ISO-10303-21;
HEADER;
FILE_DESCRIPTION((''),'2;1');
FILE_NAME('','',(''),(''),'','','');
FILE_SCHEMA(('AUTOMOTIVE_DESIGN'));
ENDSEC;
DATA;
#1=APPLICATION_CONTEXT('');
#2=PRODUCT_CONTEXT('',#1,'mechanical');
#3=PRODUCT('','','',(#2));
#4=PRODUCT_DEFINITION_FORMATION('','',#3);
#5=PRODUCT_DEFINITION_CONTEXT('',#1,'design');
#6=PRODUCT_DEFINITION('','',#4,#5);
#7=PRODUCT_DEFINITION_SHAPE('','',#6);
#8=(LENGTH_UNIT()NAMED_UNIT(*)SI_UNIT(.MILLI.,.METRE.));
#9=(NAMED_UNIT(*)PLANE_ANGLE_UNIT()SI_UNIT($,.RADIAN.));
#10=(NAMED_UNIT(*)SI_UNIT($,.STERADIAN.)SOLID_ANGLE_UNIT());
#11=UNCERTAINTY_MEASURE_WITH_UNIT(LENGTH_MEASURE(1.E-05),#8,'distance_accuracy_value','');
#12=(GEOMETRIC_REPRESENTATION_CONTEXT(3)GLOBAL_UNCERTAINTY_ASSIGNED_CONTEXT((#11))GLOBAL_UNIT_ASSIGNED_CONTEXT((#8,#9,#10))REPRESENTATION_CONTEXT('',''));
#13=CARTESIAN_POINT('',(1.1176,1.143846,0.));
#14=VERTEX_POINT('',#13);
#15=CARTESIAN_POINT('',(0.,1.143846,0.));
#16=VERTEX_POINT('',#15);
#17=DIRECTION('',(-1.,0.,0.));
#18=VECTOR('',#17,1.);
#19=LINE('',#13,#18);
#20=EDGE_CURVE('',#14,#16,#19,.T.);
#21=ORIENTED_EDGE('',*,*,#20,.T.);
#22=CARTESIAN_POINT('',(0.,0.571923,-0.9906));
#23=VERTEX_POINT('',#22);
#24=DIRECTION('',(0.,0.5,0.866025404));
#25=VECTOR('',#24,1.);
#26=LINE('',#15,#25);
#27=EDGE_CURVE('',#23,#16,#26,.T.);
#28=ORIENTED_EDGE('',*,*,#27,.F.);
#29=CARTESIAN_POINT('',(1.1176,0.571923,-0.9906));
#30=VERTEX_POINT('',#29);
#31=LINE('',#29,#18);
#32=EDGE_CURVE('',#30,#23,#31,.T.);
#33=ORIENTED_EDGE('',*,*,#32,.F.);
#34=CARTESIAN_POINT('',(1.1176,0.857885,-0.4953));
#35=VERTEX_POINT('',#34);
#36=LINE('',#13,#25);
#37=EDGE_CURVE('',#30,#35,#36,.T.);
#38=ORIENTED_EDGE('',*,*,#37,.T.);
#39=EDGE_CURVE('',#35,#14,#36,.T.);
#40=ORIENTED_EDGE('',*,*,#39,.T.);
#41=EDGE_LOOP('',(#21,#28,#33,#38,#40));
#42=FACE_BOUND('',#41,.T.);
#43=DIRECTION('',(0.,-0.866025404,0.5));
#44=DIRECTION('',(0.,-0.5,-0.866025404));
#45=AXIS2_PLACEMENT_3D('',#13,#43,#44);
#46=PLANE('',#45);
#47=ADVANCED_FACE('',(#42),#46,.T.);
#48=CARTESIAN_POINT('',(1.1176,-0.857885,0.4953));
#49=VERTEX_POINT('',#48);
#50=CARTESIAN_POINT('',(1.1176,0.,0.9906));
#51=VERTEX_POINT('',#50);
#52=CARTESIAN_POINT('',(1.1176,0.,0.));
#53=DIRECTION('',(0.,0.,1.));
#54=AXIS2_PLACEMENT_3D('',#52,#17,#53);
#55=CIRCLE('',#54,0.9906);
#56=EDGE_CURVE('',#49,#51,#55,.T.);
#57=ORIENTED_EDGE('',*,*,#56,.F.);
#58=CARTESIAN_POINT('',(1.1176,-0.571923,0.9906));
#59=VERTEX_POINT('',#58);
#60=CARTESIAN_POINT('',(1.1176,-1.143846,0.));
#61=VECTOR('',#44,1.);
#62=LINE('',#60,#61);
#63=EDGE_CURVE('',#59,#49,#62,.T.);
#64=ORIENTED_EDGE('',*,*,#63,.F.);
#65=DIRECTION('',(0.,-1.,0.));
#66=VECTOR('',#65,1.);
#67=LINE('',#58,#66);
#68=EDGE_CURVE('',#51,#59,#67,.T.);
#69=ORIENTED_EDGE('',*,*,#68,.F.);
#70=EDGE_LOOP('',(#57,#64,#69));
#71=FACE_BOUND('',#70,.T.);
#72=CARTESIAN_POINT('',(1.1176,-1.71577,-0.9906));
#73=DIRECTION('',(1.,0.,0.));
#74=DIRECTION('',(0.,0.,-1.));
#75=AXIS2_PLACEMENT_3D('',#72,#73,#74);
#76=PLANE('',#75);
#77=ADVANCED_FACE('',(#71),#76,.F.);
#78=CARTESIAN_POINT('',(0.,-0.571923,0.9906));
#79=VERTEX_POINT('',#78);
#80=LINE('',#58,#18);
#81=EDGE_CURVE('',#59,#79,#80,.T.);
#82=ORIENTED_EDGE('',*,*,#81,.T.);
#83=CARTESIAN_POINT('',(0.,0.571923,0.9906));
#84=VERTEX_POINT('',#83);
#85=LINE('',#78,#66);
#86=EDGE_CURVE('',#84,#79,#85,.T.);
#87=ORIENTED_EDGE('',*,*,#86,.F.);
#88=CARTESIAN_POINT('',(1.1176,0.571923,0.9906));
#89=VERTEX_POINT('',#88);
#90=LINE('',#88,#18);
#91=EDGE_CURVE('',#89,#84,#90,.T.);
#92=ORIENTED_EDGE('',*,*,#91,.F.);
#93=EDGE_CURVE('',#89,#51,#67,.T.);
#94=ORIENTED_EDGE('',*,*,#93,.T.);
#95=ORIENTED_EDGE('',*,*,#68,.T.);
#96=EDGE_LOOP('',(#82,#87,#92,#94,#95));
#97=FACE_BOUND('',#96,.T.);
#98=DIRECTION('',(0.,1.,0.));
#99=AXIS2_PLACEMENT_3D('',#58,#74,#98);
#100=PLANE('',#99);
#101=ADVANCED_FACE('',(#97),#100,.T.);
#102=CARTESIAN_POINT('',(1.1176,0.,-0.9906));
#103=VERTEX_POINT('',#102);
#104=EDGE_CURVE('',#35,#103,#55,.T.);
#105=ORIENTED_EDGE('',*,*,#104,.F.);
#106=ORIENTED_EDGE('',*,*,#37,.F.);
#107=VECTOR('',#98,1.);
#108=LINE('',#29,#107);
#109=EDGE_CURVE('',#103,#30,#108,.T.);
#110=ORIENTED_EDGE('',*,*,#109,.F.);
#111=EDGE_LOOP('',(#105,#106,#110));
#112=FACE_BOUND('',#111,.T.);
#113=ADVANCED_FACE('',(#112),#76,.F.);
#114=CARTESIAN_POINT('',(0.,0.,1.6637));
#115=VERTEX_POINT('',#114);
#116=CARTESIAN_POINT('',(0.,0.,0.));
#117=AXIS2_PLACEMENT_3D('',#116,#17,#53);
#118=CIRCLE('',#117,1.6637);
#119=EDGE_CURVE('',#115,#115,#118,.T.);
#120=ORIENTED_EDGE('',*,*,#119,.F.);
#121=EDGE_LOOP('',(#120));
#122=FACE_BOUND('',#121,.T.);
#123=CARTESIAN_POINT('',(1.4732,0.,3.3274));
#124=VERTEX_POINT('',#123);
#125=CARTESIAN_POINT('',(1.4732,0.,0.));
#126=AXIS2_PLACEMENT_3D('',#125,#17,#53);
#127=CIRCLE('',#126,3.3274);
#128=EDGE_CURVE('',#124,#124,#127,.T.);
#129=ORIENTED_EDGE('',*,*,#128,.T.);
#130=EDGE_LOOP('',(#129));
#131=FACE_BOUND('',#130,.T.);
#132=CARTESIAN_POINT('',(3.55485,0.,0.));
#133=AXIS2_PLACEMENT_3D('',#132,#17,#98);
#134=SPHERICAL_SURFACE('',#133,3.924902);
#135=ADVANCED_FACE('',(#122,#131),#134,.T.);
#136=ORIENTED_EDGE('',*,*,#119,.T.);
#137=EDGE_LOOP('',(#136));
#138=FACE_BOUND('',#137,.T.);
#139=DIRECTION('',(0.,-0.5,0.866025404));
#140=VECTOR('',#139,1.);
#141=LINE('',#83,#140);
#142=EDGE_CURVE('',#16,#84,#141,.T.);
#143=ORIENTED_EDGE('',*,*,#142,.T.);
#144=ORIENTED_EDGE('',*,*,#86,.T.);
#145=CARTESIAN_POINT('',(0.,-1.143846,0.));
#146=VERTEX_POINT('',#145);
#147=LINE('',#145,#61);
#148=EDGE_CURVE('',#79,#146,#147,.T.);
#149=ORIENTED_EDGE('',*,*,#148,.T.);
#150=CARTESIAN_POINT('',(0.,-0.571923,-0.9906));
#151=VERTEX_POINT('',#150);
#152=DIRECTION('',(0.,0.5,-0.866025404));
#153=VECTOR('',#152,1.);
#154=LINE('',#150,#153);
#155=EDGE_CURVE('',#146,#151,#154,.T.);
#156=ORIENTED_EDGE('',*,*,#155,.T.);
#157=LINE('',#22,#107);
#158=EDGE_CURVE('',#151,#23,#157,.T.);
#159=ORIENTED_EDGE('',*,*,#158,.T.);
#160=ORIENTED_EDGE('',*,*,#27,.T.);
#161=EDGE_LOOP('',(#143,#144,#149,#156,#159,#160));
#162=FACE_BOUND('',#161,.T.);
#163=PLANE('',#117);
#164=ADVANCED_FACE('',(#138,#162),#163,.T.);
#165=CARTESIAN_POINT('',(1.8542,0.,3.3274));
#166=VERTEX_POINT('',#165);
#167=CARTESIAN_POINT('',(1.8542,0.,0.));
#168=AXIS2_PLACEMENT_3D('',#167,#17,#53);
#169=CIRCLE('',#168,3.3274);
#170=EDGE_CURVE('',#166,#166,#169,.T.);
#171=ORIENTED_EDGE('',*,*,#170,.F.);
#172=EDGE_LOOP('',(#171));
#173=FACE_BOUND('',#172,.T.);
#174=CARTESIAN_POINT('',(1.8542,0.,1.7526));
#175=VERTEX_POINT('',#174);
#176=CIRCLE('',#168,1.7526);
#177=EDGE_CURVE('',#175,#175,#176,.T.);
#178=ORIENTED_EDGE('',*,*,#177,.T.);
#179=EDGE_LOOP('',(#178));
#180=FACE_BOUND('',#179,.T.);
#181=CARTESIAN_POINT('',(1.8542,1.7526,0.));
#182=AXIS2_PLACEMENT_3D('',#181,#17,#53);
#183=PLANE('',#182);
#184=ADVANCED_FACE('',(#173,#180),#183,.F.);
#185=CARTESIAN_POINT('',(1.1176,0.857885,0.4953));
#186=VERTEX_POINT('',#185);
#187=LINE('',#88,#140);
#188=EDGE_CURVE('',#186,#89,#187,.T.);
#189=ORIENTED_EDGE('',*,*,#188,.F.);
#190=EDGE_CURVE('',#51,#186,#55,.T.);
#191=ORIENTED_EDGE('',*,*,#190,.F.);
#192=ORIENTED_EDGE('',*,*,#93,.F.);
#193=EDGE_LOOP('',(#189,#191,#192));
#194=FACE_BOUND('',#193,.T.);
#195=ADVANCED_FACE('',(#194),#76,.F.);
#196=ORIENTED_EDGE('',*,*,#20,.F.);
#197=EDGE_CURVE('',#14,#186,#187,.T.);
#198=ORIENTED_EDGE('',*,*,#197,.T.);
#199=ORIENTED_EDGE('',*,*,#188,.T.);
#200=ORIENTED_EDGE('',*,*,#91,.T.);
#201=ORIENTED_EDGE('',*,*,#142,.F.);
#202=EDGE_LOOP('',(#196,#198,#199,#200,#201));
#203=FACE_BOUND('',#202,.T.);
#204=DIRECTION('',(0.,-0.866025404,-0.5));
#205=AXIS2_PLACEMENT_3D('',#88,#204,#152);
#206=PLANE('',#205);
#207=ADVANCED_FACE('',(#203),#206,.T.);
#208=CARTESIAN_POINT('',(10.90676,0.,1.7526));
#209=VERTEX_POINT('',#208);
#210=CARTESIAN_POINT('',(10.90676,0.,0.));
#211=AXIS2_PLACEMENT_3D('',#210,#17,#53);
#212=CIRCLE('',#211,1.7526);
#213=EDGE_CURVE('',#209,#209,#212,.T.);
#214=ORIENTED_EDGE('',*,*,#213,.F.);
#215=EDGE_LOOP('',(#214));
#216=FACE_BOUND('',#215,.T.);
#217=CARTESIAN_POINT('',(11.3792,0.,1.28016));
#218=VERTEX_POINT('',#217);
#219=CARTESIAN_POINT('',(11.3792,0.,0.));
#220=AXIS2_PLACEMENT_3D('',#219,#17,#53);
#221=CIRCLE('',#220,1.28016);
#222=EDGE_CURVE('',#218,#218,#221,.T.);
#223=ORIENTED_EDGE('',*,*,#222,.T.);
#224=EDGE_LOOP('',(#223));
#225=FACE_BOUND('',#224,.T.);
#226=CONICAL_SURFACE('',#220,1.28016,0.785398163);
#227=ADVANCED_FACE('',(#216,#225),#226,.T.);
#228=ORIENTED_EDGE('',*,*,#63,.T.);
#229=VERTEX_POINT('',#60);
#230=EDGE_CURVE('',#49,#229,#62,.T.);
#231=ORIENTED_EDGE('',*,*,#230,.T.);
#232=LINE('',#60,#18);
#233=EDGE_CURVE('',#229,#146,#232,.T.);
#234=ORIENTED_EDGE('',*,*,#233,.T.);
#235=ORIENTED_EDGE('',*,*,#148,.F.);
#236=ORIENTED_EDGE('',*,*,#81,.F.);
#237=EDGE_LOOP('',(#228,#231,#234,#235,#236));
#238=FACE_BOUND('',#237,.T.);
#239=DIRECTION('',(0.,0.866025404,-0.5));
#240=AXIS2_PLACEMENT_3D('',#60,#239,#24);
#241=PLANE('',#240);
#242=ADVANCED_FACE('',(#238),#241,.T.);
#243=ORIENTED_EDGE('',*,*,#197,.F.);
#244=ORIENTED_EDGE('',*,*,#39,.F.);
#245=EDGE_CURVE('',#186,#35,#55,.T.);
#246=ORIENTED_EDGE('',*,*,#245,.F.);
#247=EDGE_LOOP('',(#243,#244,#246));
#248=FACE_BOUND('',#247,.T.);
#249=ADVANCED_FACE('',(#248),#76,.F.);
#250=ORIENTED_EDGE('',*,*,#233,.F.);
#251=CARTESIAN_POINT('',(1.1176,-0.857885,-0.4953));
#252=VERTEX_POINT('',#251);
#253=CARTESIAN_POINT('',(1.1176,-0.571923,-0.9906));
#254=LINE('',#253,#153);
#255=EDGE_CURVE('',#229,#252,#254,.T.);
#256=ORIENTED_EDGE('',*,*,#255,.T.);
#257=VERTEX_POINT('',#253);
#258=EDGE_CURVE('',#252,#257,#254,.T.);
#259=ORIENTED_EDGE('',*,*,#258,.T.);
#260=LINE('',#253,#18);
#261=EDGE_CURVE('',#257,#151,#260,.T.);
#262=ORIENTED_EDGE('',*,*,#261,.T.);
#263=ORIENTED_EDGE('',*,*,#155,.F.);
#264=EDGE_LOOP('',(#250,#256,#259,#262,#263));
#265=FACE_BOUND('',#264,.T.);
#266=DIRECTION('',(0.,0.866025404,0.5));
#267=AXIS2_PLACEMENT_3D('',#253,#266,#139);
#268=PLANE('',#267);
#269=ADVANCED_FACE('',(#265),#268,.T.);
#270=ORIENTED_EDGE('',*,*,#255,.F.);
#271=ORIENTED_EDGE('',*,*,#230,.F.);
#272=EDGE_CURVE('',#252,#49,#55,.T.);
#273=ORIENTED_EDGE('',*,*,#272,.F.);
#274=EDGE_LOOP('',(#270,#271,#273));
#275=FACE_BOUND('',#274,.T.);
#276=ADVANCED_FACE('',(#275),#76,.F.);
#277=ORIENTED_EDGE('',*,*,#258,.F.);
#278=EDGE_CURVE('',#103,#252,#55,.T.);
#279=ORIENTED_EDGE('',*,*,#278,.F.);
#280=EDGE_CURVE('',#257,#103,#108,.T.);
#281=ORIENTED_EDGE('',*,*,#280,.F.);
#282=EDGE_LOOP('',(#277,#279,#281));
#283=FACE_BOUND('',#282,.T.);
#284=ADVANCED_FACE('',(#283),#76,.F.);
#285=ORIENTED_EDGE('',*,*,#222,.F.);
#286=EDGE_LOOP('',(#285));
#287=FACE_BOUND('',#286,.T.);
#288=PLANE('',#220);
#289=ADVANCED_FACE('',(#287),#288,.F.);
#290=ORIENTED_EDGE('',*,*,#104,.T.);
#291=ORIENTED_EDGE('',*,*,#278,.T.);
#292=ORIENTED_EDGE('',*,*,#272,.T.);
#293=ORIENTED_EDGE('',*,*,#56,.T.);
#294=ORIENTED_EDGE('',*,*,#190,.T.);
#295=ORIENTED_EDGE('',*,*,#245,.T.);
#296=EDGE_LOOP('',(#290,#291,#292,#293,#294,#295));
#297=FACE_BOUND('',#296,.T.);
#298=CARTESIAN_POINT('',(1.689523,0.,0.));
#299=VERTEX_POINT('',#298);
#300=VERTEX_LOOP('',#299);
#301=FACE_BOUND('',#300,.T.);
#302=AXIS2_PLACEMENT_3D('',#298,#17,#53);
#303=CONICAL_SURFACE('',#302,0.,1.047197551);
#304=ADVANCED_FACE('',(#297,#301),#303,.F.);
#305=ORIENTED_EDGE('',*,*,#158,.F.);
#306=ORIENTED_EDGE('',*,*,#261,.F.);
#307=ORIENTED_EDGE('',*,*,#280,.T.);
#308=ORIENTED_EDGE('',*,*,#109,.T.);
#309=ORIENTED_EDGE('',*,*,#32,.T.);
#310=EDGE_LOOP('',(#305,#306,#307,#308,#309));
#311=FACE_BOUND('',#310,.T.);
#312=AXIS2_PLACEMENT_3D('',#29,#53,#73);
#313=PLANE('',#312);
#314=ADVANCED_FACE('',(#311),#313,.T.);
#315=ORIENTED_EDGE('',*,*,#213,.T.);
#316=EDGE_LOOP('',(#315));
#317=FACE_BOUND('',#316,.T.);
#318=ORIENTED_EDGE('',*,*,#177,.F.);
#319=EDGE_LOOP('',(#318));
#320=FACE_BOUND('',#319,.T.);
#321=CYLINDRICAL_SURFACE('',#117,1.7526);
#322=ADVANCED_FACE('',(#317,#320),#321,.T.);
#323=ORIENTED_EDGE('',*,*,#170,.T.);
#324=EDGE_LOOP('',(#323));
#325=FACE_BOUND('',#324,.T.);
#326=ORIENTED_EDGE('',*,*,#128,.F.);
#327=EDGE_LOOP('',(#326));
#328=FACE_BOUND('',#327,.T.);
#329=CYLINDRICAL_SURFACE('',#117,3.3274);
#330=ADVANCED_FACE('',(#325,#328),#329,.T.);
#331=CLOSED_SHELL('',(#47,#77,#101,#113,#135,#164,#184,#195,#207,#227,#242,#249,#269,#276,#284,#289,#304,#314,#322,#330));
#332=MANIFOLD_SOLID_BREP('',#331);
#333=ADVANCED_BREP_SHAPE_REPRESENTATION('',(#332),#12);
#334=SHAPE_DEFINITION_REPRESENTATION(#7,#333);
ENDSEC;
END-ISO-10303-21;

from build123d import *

# Parameters (mm, degrees)
HEX_2_DEPTH = 1.1176


with BuildPart() as part:
    # BodySke → BaseBody (revolve)
    with BuildSketch(Plane.XY):
        with BuildLine():
            Line((11.3792, 0), (11.3792, 1.28016))
            Line((11.3792, 1.28016), (10.90676, 1.7526))
            Line((10.90676, 1.7526), (1.8542, 1.7526))
            Line((1.8542, 1.7526), (1.8542, 3.3274))
            Line((1.8542, 3.3274), (1.4732, 3.3274))
            ThreePointArc((1.4732, 3.3274), (0.616396771, 2.601989501), (0, 1.6637))
            Line((0, 1.6637), (0, 0))
            Line((0, 0), (11.3792, 0))
        make_face()
    revolve(axis=Axis((0, 0, 0), (1, 0, 0)))

    # Sketch2 → PreBroach (revolve, cut)
    with BuildSketch(Plane.XY):
        Polygon((0, 0.9906), (1.1176, 0.9906), (1.689523177, 0), (0, 0), align=None)
    revolve(axis=Axis((0, 0, 0), (1, 0, 0)), mode=Mode.SUBTRACT)

    # Sketch3 → Hex 2 (cut)
    with BuildSketch(Plane(origin=(0, 0, 0), x_dir=(0, 0, -1), z_dir=(1, 0, 0))):
        Polygon((-0.9906, -0.571923177), (-0.9906, 0.571923177), (0, 1.143846353), (0.9906, 0.571923177), (0.9906, -0.571923177), (0, -1.143846353), align=None)
    extrude(amount=HEX_2_DEPTH, mode=Mode.SUBTRACT)


solid = part.part
